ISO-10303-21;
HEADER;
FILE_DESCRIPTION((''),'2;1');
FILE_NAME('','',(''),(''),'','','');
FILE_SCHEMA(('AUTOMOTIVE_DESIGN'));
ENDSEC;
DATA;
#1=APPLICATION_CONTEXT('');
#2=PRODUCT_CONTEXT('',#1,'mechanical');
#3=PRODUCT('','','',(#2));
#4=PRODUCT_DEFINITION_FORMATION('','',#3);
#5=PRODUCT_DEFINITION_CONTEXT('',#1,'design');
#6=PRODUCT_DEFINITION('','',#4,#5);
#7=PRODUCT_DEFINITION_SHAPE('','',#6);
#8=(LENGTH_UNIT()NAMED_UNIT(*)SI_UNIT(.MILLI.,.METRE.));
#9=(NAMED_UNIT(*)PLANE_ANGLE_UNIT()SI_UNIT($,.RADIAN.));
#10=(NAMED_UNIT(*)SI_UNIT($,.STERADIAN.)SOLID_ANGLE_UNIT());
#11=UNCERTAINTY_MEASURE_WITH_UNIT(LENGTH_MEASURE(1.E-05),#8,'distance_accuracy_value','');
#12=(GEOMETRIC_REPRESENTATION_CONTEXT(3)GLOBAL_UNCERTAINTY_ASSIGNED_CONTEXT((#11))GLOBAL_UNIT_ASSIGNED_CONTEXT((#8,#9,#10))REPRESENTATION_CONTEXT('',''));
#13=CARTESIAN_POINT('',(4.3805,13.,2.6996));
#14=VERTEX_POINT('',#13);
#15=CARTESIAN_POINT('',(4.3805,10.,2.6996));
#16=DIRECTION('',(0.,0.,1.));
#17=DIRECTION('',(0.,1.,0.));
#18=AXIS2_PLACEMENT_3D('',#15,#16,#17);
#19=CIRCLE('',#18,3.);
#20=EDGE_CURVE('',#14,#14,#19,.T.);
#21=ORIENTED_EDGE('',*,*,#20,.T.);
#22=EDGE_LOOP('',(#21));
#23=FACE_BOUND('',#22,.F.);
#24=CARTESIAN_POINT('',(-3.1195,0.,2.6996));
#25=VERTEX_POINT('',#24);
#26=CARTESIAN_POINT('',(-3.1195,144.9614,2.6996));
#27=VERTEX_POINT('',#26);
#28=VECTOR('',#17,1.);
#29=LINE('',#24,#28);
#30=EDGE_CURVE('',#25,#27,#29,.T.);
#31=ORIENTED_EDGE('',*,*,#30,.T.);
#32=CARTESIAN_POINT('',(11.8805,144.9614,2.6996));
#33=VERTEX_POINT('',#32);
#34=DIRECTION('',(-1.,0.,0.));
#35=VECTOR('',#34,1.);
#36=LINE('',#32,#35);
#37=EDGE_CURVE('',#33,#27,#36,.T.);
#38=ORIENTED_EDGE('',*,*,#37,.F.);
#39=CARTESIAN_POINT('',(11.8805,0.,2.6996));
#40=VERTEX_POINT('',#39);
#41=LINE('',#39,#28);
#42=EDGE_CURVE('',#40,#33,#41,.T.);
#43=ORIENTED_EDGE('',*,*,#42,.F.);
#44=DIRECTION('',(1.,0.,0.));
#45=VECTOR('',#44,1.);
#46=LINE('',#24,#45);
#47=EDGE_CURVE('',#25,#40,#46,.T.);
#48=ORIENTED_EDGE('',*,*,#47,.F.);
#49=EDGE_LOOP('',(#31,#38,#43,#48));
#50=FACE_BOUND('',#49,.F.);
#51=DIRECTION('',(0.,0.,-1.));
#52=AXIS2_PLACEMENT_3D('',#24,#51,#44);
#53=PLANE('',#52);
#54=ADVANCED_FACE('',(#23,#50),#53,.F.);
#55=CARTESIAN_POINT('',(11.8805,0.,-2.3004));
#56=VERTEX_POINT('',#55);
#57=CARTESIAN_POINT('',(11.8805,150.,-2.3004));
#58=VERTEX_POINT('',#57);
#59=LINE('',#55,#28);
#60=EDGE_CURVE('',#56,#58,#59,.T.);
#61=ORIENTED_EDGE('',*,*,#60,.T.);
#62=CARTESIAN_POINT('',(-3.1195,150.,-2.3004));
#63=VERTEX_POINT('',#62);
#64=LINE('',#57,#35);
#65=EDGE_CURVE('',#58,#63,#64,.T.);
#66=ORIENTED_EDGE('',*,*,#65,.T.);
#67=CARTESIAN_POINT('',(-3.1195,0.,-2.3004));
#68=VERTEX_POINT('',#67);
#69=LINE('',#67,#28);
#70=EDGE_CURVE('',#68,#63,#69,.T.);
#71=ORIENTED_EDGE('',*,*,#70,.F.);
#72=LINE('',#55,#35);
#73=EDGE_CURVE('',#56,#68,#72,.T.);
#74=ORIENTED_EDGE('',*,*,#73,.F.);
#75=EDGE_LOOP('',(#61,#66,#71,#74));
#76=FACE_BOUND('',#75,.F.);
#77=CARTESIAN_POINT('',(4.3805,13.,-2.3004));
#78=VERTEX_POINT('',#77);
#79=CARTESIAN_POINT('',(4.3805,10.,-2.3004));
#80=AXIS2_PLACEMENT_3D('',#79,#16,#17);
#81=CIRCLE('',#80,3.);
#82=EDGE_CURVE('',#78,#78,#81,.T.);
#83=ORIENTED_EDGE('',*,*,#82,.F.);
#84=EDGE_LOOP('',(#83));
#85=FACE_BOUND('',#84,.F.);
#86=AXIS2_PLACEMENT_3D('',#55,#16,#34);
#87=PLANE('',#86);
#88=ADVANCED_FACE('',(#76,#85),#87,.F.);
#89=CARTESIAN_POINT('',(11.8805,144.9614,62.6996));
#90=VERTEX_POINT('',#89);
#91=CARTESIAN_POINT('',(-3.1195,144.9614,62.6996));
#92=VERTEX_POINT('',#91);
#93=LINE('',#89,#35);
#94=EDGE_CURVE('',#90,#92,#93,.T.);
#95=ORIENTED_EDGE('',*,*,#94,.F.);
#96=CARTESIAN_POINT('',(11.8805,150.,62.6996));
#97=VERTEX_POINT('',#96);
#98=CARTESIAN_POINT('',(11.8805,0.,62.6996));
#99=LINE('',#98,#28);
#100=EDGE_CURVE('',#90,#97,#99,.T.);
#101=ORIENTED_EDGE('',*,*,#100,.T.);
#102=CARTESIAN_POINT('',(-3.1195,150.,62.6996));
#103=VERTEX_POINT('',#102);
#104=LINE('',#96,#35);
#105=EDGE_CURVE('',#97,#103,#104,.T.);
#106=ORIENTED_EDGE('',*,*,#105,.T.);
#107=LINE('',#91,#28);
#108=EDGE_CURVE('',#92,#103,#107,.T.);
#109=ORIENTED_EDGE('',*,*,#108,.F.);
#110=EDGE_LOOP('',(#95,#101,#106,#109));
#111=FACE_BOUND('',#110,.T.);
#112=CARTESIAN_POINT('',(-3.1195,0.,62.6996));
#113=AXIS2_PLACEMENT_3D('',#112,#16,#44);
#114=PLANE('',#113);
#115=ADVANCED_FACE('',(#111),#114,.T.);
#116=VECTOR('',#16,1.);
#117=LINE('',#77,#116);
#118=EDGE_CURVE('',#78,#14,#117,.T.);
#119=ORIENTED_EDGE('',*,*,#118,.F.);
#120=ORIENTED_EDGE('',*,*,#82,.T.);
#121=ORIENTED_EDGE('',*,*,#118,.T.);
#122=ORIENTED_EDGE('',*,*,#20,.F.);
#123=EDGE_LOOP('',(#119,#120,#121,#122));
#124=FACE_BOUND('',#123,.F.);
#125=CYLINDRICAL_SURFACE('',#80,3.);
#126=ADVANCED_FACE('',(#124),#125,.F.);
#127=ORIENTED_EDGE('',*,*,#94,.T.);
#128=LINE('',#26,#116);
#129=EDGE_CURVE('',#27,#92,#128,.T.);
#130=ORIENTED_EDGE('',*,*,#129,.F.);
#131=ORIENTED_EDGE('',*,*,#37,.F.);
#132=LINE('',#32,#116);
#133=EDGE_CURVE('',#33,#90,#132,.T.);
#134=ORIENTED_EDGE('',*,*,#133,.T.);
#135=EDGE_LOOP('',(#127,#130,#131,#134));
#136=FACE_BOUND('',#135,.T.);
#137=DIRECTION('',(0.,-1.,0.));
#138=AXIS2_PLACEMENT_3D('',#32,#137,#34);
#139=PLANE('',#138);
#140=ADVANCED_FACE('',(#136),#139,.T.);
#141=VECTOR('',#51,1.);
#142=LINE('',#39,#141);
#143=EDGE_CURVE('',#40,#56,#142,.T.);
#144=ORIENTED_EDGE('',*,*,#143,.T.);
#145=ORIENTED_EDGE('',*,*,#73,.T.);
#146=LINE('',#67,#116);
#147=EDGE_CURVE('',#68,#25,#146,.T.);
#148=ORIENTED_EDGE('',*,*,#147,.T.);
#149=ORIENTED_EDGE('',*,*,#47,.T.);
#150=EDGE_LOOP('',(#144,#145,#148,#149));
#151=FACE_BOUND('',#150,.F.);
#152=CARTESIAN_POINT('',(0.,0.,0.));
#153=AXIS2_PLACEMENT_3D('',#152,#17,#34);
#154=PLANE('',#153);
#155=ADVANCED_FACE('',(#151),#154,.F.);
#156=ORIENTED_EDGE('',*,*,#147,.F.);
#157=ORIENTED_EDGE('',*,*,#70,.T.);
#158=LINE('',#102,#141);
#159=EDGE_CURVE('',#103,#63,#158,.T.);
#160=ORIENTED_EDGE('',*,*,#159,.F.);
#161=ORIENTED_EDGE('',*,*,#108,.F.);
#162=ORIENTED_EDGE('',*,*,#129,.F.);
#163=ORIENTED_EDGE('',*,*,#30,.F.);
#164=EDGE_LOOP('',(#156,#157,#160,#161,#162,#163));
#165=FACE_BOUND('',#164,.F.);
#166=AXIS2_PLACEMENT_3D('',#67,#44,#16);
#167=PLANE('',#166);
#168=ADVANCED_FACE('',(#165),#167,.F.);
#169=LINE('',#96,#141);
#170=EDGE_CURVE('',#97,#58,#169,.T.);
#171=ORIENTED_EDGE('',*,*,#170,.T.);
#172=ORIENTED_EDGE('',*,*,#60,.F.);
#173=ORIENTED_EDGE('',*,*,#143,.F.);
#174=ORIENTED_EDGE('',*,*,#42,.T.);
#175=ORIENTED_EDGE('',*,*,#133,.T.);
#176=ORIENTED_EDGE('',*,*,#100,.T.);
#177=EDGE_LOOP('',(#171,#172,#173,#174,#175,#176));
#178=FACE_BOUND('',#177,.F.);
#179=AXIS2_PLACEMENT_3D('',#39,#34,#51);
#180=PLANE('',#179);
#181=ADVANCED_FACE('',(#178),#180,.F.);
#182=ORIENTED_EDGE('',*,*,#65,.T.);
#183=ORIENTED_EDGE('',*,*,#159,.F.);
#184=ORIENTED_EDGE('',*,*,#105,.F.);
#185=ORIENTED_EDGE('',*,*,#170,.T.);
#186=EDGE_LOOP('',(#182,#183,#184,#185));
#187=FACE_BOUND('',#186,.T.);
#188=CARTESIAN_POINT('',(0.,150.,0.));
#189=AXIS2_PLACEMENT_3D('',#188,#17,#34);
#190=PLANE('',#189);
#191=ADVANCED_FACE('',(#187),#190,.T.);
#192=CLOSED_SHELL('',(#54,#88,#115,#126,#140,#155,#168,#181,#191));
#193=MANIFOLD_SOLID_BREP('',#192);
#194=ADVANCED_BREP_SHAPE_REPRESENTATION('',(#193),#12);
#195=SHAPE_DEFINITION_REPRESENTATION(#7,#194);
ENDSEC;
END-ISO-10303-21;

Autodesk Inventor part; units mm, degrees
ref_plane "YZ Plane" through (0, 0, 0) normal (1, 0, 0) x (0, 1, 0)
ref_plane "XZ Plane" through (0, 0, 0) normal (0, 1, 0) x (-1, 0, 0)
ref_plane "XY Plane" through (0, 0, 0) normal (0, 0, 1) x (1, 0, 0)
sketch "Sketch1" plane through (0, 0, 0) normal (0, 1, 0) x (-1, 0, 0)
  point P0 (0, 0)
sketch "Sketch2" plane through (0, 0, 0) normal (0, 1, 0) x (-1, 0, 0)
  line L0 (3.1195, 2.6996) -> (-11.8805, 2.6996)
  line L1 (-11.8805, 2.6996) -> (-11.8805, -2.3004)
  line L2 (-11.8805, -2.3004) -> (3.1195, -2.3004)
  line L3 (3.1195, -2.3004) -> (3.1195, 2.6996)
  point P0 (0, 0)
  dimension "d0" = 15
  dimension "d1" = 5
extrude "Extrusion1" add sketch "Sketch2" along normal blind 150
sketch "Sketch3" plane through (-3.1195, 0, 2.6996) normal (0, 0, 1) x (1, 0, 0)
  line L0 (15, 150) -> (0, 150) projected
  line L1 (15, 0) -> (15, 150) projected
  line L2 (0, 150) -> (15, 150)
  line L3 (15, 150) -> (15, 144.9614)
  line L4 (15, 144.9614) -> (0, 144.9614)
  line L5 (0, 144.9614) -> (0, 150)
  point P0 (3.1195, 0)
extrude "Extrusion2" add sketch "Sketch3" along normal blind 60
sketch "Sketch4" plane through (11.8805, 0, -2.3004) normal (0, 0, -1) x (-1, 0, 0)
  line L0 (0, 0) -> (15, 0) projected
  line L1 (0, 0) -> (15, 0) projected
  line L2 (15, 0) -> (15, 150) projected
  line L3 (0, 150) -> (15, 150) projected
  line L4 (0, 0) -> (0, 150) projected
  point P0 (11.8805, 0)
sketch "Sketch5" plane through (11.8805, 0, -2.3004) normal (0, 0, -1) x (-1, 0, 0)
  circle A0 centre (7.5, 10) radius 3 construction
  point P0 (11.8805, 0)
  dimension "d6" = 6
hole "Hole1" at (4.3805, 10, -2.3004) direction (0, 0, 1) diameter 6 end through all
